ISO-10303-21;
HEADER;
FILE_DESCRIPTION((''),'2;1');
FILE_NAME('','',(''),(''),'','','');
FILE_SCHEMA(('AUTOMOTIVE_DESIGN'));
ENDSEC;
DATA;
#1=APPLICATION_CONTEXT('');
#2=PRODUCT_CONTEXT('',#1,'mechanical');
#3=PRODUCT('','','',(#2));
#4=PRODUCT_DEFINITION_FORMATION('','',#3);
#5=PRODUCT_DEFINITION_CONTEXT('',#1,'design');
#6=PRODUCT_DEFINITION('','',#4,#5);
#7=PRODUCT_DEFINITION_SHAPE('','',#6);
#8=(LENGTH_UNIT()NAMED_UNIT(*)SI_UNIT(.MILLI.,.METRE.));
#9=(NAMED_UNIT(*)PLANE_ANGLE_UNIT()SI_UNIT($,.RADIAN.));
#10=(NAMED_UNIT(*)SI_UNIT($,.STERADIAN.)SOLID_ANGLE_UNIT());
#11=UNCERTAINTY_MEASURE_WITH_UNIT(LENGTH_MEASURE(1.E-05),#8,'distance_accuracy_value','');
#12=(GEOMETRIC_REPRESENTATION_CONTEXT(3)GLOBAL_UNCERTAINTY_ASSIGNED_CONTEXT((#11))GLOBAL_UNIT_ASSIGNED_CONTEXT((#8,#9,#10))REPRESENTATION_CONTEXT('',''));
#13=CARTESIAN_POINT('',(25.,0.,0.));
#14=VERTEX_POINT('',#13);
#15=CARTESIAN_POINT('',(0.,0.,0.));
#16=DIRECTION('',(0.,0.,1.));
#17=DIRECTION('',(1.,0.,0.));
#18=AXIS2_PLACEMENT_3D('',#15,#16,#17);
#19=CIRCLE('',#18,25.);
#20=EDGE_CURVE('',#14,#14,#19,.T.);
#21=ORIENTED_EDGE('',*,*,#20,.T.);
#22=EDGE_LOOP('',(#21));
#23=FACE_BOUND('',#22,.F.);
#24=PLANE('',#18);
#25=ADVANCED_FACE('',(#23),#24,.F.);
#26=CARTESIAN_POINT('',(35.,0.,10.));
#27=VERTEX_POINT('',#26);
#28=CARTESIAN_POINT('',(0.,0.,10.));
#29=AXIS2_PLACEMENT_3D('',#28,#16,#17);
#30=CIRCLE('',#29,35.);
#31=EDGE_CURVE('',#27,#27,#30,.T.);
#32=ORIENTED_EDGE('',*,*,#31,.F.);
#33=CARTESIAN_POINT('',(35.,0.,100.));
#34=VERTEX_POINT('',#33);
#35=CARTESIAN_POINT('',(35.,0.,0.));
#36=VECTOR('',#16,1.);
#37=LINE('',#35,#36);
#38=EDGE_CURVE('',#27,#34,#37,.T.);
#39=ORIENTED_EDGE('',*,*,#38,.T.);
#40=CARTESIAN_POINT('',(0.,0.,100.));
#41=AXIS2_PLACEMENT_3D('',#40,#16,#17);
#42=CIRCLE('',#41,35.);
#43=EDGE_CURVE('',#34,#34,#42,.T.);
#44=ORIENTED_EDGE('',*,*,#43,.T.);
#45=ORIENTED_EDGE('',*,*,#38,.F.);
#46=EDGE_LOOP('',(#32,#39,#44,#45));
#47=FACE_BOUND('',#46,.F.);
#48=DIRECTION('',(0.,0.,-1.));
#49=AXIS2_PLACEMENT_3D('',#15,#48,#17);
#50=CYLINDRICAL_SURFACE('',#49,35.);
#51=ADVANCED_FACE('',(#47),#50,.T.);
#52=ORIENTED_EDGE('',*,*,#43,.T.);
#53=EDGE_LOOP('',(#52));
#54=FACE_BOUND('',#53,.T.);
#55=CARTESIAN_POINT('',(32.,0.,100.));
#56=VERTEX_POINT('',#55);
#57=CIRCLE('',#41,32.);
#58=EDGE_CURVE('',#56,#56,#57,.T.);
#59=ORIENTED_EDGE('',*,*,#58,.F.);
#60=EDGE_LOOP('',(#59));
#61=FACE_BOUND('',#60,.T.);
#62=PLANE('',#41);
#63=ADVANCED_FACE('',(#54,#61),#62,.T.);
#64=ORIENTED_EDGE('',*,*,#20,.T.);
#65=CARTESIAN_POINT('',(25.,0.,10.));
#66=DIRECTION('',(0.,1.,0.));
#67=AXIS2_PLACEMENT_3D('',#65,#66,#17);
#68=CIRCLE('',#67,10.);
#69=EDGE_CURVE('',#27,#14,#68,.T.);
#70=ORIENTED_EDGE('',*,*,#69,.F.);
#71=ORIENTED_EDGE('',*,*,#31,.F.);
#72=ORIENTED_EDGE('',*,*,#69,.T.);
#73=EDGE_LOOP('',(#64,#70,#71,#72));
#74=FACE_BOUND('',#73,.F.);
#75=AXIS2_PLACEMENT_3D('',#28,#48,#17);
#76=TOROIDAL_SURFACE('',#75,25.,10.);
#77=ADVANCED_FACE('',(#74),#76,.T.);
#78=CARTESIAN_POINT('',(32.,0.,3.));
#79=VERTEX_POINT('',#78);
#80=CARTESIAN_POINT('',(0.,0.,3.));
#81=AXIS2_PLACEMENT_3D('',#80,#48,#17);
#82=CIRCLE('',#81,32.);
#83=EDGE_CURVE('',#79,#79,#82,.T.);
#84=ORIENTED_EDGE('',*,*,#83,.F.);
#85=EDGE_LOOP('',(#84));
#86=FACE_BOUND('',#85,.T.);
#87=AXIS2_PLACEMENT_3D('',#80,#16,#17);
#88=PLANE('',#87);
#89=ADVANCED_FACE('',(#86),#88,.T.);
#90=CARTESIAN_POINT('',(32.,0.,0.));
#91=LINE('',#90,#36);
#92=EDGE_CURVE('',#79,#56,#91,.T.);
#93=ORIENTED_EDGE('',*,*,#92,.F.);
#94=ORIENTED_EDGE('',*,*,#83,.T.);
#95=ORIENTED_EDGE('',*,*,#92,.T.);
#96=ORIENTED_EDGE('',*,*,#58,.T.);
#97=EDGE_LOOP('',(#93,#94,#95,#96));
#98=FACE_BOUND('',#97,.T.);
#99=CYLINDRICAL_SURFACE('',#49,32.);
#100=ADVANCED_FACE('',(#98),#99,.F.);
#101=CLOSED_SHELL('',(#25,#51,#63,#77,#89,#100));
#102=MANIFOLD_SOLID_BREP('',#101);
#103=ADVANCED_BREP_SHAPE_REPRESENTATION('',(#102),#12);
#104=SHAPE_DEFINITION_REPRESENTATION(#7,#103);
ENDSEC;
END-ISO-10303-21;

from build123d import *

# Parameters (mm, degrees)
F0_R     = 35
F1_DEPTH = 100
F2_T     = -3
F3_R     = 10


with BuildPart() as f1:
    # F0 (on Top) → F1 (new body)
    with BuildSketch(Plane.XY):
        Circle(F0_R)
    extrude(amount=F1_DEPTH)

    # F2
    f2_openings = [f1.faces().sort_by_distance(p)[0] for p in [
        (0, 0, 100),
    ]]
    offset(amount=F2_T, openings=f2_openings)

    # F3
    f3_edges = [f1.edges().sort_by_distance(p)[0] for p in [
        (-35, 0, 0),
    ]]
    fillet(f3_edges, radius=F3_R)


solid = f1.part
